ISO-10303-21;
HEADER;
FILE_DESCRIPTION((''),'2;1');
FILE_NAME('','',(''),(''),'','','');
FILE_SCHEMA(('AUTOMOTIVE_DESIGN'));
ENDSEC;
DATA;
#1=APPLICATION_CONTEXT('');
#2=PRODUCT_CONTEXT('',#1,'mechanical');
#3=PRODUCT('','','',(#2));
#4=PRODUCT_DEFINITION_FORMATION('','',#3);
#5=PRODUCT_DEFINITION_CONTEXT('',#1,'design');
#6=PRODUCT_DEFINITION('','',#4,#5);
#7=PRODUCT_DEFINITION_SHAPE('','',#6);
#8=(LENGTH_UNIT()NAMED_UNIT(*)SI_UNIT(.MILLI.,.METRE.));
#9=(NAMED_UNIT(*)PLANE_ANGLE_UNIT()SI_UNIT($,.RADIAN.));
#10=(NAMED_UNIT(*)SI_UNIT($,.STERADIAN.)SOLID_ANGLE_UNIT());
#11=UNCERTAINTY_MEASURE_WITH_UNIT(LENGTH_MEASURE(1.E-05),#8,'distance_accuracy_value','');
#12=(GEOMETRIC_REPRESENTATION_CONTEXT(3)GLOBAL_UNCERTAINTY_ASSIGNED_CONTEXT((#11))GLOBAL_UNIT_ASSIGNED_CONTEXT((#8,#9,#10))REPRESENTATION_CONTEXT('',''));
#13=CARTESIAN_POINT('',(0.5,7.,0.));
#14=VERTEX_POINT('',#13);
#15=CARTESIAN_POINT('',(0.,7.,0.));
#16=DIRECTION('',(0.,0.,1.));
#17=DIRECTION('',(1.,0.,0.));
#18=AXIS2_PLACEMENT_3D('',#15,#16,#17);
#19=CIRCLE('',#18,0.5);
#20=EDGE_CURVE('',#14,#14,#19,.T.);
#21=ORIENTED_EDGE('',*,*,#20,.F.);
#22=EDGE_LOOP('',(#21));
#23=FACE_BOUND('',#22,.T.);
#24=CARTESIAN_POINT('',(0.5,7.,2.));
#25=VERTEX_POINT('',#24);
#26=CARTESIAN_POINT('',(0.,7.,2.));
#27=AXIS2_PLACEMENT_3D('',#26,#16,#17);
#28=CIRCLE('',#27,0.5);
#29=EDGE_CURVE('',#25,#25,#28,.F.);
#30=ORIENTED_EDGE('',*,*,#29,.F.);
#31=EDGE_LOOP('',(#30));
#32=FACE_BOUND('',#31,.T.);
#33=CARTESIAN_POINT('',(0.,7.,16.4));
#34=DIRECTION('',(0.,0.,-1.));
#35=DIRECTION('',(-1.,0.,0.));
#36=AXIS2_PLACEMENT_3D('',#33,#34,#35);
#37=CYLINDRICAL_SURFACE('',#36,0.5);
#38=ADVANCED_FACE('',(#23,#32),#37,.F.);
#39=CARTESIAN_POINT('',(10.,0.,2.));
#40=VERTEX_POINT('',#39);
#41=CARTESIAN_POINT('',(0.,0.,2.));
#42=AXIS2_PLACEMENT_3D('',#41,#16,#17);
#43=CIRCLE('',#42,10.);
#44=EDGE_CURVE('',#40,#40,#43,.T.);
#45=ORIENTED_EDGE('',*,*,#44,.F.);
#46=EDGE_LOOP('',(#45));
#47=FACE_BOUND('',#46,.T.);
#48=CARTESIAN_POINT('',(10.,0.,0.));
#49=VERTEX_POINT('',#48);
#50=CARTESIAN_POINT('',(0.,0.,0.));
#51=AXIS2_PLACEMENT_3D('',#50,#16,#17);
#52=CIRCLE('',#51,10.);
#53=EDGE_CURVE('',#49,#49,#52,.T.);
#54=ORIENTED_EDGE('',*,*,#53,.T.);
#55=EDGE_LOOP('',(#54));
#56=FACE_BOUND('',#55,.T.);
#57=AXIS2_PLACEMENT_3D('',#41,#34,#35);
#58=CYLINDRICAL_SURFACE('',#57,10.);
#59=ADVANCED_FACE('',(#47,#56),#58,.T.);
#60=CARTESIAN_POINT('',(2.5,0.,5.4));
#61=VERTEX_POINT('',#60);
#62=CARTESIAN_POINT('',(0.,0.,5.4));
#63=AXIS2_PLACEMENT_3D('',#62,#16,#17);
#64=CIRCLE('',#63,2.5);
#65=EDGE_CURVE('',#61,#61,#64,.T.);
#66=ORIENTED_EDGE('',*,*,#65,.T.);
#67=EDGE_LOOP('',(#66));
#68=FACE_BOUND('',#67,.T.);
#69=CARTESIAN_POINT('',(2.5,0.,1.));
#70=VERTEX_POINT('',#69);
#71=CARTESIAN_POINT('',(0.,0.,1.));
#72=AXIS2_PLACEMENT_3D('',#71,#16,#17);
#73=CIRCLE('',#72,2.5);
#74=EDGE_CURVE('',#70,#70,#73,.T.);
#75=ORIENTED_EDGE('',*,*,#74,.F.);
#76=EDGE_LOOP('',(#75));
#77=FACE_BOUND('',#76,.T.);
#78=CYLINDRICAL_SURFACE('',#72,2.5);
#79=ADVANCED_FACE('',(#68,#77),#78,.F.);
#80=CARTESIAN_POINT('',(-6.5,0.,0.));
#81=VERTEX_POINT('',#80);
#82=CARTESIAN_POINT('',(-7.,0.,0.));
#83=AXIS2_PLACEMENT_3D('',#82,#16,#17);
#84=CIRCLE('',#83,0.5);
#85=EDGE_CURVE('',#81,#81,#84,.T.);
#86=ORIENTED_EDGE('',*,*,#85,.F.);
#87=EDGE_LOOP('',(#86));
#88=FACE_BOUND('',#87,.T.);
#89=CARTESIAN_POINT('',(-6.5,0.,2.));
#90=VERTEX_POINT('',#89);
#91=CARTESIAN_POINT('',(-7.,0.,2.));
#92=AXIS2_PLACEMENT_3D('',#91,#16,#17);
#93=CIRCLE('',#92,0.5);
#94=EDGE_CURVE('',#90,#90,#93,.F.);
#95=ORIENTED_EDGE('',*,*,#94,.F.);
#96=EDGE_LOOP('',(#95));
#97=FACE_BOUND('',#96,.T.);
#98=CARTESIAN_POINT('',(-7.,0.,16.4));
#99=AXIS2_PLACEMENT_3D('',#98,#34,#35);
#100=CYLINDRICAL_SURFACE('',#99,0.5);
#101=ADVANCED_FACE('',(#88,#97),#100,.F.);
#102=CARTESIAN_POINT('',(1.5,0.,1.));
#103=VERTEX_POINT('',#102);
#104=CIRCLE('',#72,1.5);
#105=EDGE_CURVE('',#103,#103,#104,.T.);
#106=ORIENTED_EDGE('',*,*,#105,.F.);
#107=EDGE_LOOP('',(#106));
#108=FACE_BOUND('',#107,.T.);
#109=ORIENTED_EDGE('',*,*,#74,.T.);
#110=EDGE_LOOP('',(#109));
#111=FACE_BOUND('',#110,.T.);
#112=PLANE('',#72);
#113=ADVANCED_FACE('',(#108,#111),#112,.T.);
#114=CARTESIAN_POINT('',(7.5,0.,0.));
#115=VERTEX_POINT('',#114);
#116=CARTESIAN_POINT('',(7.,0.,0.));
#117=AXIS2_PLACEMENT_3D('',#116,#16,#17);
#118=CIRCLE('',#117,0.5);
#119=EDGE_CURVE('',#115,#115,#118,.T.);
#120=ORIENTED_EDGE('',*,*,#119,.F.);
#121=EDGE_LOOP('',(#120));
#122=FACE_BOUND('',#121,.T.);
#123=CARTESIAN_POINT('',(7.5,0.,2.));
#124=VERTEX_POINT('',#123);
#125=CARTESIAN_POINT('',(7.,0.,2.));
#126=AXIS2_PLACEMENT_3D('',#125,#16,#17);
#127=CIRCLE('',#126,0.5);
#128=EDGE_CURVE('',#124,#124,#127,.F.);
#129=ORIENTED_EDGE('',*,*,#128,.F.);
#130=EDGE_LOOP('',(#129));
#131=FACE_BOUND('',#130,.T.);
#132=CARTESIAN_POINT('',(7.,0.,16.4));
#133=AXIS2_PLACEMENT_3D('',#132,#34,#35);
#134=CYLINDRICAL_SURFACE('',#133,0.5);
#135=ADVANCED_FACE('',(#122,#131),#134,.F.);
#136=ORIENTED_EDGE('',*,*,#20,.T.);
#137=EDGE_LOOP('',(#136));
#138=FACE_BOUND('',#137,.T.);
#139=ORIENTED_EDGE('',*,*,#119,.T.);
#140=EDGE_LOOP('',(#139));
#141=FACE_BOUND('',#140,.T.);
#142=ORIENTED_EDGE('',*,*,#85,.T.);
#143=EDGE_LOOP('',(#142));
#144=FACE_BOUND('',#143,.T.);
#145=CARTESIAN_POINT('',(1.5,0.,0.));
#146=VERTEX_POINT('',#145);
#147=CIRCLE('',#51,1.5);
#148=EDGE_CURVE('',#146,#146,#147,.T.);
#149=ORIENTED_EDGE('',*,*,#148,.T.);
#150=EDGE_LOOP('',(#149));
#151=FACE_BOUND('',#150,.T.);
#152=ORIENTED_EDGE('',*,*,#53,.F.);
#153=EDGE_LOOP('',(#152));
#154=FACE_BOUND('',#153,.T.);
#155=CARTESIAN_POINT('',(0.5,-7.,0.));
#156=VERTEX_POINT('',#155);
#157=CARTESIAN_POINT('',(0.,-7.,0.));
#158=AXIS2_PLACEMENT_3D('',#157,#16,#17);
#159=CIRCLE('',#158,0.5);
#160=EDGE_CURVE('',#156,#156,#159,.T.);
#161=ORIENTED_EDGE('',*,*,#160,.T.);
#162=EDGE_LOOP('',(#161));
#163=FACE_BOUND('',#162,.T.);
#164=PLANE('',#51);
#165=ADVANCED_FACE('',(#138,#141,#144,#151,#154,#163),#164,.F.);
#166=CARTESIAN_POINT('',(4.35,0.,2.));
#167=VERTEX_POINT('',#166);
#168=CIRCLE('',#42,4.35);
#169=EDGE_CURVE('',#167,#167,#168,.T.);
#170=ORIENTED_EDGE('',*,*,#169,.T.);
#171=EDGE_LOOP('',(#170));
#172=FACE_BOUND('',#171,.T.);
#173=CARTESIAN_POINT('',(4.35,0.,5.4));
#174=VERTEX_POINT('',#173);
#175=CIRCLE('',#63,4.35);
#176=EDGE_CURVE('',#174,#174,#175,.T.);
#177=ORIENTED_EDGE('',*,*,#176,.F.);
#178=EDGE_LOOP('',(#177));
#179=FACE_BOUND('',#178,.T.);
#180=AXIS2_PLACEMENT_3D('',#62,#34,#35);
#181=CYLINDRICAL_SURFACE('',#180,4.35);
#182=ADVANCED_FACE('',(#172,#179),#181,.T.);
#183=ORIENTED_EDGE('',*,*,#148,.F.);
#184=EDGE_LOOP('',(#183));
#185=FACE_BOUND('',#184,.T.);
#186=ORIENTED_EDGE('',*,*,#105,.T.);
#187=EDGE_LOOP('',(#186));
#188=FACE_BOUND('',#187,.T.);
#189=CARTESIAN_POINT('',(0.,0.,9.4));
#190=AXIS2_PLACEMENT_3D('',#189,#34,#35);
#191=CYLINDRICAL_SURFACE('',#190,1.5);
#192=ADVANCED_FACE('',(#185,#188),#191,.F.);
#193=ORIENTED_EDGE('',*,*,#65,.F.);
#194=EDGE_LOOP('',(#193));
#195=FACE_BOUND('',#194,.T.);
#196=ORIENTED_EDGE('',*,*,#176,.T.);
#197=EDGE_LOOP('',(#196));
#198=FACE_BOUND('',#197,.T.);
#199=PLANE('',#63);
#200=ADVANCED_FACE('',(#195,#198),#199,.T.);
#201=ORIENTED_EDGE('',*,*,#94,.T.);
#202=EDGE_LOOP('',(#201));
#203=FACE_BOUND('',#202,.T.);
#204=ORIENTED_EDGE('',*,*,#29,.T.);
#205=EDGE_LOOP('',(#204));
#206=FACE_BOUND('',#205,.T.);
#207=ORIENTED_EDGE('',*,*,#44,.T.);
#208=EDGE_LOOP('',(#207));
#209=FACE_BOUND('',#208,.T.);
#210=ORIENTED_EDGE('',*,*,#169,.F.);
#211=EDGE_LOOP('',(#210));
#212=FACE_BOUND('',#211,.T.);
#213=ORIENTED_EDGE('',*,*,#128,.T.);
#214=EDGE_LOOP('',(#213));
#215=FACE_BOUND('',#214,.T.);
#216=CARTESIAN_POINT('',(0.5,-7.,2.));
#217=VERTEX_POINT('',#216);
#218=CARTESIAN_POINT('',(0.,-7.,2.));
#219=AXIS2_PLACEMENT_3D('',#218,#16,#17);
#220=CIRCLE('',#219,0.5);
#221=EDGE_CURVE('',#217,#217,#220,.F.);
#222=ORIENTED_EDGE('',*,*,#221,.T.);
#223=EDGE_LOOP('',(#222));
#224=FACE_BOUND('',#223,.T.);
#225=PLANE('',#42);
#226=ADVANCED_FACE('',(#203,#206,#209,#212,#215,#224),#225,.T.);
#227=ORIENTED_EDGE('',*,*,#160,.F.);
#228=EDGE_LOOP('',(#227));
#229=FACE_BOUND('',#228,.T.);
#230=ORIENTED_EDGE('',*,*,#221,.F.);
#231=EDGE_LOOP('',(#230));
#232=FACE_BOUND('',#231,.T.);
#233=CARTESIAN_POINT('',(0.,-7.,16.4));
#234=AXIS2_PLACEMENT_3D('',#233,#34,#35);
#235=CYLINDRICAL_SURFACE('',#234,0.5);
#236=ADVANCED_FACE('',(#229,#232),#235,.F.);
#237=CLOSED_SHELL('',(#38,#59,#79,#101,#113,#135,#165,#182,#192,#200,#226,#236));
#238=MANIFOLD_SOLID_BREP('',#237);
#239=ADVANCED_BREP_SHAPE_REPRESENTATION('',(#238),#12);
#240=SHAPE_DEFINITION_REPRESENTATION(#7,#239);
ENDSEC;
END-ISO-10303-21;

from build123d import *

# Parameters (mm, degrees)
SKETCH_1_R          = 10
EXTRUDE_1_DEPTH     = 2
SKETCH_2_R          = 4.35
EXTRUDE_2_DEPTH     = 3.4
SKETCH_3_R          = 1.5
CUT_EXTRUDE_1_DEPTH = 9.4
SKETCH_4_R          = 0.5
CUT_EXTRUDE_3_DEPTH = 16.4
SKETCH_5_R          = 2.5
CUT_EXTRUDE_4_DEPTH = 4.4


with BuildPart() as part:
    # 草图1 → 凸台-拉伸1 (new body)
    with BuildSketch(Plane.XY):
        Circle(SKETCH_1_R)
    extrude(amount=EXTRUDE_1_DEPTH)

    # 草图2 → 凸台-拉伸2 (add)
    with BuildSketch(Plane.XY.offset(2)):
        Circle(SKETCH_2_R)
    extrude(amount=EXTRUDE_2_DEPTH)

    # 草图3 → 切除-拉伸1 (cut)
    with BuildSketch(Plane.XY):
        Circle(SKETCH_3_R)
    extrude(amount=CUT_EXTRUDE_1_DEPTH, mode=Mode.SUBTRACT)

    # 草图4 → 切除-拉伸3 (cut)
    with BuildSketch(Plane.XY):
        with Locations((0, 7)):
            Circle(SKETCH_4_R)
        with Locations((7, 0)):
            Circle(SKETCH_4_R)
        with Locations((0, -7)):
            Circle(SKETCH_4_R)
        with Locations((-7, 0)):
            Circle(SKETCH_4_R)
    extrude(amount=CUT_EXTRUDE_3_DEPTH, mode=Mode.SUBTRACT)

    # 草图5 → 切除-拉伸4 (cut)
    with BuildSketch(Plane.XY.offset(5.4)):
        Circle(SKETCH_5_R)
    extrude(amount=-CUT_EXTRUDE_4_DEPTH, mode=Mode.SUBTRACT)


solid = part.part
